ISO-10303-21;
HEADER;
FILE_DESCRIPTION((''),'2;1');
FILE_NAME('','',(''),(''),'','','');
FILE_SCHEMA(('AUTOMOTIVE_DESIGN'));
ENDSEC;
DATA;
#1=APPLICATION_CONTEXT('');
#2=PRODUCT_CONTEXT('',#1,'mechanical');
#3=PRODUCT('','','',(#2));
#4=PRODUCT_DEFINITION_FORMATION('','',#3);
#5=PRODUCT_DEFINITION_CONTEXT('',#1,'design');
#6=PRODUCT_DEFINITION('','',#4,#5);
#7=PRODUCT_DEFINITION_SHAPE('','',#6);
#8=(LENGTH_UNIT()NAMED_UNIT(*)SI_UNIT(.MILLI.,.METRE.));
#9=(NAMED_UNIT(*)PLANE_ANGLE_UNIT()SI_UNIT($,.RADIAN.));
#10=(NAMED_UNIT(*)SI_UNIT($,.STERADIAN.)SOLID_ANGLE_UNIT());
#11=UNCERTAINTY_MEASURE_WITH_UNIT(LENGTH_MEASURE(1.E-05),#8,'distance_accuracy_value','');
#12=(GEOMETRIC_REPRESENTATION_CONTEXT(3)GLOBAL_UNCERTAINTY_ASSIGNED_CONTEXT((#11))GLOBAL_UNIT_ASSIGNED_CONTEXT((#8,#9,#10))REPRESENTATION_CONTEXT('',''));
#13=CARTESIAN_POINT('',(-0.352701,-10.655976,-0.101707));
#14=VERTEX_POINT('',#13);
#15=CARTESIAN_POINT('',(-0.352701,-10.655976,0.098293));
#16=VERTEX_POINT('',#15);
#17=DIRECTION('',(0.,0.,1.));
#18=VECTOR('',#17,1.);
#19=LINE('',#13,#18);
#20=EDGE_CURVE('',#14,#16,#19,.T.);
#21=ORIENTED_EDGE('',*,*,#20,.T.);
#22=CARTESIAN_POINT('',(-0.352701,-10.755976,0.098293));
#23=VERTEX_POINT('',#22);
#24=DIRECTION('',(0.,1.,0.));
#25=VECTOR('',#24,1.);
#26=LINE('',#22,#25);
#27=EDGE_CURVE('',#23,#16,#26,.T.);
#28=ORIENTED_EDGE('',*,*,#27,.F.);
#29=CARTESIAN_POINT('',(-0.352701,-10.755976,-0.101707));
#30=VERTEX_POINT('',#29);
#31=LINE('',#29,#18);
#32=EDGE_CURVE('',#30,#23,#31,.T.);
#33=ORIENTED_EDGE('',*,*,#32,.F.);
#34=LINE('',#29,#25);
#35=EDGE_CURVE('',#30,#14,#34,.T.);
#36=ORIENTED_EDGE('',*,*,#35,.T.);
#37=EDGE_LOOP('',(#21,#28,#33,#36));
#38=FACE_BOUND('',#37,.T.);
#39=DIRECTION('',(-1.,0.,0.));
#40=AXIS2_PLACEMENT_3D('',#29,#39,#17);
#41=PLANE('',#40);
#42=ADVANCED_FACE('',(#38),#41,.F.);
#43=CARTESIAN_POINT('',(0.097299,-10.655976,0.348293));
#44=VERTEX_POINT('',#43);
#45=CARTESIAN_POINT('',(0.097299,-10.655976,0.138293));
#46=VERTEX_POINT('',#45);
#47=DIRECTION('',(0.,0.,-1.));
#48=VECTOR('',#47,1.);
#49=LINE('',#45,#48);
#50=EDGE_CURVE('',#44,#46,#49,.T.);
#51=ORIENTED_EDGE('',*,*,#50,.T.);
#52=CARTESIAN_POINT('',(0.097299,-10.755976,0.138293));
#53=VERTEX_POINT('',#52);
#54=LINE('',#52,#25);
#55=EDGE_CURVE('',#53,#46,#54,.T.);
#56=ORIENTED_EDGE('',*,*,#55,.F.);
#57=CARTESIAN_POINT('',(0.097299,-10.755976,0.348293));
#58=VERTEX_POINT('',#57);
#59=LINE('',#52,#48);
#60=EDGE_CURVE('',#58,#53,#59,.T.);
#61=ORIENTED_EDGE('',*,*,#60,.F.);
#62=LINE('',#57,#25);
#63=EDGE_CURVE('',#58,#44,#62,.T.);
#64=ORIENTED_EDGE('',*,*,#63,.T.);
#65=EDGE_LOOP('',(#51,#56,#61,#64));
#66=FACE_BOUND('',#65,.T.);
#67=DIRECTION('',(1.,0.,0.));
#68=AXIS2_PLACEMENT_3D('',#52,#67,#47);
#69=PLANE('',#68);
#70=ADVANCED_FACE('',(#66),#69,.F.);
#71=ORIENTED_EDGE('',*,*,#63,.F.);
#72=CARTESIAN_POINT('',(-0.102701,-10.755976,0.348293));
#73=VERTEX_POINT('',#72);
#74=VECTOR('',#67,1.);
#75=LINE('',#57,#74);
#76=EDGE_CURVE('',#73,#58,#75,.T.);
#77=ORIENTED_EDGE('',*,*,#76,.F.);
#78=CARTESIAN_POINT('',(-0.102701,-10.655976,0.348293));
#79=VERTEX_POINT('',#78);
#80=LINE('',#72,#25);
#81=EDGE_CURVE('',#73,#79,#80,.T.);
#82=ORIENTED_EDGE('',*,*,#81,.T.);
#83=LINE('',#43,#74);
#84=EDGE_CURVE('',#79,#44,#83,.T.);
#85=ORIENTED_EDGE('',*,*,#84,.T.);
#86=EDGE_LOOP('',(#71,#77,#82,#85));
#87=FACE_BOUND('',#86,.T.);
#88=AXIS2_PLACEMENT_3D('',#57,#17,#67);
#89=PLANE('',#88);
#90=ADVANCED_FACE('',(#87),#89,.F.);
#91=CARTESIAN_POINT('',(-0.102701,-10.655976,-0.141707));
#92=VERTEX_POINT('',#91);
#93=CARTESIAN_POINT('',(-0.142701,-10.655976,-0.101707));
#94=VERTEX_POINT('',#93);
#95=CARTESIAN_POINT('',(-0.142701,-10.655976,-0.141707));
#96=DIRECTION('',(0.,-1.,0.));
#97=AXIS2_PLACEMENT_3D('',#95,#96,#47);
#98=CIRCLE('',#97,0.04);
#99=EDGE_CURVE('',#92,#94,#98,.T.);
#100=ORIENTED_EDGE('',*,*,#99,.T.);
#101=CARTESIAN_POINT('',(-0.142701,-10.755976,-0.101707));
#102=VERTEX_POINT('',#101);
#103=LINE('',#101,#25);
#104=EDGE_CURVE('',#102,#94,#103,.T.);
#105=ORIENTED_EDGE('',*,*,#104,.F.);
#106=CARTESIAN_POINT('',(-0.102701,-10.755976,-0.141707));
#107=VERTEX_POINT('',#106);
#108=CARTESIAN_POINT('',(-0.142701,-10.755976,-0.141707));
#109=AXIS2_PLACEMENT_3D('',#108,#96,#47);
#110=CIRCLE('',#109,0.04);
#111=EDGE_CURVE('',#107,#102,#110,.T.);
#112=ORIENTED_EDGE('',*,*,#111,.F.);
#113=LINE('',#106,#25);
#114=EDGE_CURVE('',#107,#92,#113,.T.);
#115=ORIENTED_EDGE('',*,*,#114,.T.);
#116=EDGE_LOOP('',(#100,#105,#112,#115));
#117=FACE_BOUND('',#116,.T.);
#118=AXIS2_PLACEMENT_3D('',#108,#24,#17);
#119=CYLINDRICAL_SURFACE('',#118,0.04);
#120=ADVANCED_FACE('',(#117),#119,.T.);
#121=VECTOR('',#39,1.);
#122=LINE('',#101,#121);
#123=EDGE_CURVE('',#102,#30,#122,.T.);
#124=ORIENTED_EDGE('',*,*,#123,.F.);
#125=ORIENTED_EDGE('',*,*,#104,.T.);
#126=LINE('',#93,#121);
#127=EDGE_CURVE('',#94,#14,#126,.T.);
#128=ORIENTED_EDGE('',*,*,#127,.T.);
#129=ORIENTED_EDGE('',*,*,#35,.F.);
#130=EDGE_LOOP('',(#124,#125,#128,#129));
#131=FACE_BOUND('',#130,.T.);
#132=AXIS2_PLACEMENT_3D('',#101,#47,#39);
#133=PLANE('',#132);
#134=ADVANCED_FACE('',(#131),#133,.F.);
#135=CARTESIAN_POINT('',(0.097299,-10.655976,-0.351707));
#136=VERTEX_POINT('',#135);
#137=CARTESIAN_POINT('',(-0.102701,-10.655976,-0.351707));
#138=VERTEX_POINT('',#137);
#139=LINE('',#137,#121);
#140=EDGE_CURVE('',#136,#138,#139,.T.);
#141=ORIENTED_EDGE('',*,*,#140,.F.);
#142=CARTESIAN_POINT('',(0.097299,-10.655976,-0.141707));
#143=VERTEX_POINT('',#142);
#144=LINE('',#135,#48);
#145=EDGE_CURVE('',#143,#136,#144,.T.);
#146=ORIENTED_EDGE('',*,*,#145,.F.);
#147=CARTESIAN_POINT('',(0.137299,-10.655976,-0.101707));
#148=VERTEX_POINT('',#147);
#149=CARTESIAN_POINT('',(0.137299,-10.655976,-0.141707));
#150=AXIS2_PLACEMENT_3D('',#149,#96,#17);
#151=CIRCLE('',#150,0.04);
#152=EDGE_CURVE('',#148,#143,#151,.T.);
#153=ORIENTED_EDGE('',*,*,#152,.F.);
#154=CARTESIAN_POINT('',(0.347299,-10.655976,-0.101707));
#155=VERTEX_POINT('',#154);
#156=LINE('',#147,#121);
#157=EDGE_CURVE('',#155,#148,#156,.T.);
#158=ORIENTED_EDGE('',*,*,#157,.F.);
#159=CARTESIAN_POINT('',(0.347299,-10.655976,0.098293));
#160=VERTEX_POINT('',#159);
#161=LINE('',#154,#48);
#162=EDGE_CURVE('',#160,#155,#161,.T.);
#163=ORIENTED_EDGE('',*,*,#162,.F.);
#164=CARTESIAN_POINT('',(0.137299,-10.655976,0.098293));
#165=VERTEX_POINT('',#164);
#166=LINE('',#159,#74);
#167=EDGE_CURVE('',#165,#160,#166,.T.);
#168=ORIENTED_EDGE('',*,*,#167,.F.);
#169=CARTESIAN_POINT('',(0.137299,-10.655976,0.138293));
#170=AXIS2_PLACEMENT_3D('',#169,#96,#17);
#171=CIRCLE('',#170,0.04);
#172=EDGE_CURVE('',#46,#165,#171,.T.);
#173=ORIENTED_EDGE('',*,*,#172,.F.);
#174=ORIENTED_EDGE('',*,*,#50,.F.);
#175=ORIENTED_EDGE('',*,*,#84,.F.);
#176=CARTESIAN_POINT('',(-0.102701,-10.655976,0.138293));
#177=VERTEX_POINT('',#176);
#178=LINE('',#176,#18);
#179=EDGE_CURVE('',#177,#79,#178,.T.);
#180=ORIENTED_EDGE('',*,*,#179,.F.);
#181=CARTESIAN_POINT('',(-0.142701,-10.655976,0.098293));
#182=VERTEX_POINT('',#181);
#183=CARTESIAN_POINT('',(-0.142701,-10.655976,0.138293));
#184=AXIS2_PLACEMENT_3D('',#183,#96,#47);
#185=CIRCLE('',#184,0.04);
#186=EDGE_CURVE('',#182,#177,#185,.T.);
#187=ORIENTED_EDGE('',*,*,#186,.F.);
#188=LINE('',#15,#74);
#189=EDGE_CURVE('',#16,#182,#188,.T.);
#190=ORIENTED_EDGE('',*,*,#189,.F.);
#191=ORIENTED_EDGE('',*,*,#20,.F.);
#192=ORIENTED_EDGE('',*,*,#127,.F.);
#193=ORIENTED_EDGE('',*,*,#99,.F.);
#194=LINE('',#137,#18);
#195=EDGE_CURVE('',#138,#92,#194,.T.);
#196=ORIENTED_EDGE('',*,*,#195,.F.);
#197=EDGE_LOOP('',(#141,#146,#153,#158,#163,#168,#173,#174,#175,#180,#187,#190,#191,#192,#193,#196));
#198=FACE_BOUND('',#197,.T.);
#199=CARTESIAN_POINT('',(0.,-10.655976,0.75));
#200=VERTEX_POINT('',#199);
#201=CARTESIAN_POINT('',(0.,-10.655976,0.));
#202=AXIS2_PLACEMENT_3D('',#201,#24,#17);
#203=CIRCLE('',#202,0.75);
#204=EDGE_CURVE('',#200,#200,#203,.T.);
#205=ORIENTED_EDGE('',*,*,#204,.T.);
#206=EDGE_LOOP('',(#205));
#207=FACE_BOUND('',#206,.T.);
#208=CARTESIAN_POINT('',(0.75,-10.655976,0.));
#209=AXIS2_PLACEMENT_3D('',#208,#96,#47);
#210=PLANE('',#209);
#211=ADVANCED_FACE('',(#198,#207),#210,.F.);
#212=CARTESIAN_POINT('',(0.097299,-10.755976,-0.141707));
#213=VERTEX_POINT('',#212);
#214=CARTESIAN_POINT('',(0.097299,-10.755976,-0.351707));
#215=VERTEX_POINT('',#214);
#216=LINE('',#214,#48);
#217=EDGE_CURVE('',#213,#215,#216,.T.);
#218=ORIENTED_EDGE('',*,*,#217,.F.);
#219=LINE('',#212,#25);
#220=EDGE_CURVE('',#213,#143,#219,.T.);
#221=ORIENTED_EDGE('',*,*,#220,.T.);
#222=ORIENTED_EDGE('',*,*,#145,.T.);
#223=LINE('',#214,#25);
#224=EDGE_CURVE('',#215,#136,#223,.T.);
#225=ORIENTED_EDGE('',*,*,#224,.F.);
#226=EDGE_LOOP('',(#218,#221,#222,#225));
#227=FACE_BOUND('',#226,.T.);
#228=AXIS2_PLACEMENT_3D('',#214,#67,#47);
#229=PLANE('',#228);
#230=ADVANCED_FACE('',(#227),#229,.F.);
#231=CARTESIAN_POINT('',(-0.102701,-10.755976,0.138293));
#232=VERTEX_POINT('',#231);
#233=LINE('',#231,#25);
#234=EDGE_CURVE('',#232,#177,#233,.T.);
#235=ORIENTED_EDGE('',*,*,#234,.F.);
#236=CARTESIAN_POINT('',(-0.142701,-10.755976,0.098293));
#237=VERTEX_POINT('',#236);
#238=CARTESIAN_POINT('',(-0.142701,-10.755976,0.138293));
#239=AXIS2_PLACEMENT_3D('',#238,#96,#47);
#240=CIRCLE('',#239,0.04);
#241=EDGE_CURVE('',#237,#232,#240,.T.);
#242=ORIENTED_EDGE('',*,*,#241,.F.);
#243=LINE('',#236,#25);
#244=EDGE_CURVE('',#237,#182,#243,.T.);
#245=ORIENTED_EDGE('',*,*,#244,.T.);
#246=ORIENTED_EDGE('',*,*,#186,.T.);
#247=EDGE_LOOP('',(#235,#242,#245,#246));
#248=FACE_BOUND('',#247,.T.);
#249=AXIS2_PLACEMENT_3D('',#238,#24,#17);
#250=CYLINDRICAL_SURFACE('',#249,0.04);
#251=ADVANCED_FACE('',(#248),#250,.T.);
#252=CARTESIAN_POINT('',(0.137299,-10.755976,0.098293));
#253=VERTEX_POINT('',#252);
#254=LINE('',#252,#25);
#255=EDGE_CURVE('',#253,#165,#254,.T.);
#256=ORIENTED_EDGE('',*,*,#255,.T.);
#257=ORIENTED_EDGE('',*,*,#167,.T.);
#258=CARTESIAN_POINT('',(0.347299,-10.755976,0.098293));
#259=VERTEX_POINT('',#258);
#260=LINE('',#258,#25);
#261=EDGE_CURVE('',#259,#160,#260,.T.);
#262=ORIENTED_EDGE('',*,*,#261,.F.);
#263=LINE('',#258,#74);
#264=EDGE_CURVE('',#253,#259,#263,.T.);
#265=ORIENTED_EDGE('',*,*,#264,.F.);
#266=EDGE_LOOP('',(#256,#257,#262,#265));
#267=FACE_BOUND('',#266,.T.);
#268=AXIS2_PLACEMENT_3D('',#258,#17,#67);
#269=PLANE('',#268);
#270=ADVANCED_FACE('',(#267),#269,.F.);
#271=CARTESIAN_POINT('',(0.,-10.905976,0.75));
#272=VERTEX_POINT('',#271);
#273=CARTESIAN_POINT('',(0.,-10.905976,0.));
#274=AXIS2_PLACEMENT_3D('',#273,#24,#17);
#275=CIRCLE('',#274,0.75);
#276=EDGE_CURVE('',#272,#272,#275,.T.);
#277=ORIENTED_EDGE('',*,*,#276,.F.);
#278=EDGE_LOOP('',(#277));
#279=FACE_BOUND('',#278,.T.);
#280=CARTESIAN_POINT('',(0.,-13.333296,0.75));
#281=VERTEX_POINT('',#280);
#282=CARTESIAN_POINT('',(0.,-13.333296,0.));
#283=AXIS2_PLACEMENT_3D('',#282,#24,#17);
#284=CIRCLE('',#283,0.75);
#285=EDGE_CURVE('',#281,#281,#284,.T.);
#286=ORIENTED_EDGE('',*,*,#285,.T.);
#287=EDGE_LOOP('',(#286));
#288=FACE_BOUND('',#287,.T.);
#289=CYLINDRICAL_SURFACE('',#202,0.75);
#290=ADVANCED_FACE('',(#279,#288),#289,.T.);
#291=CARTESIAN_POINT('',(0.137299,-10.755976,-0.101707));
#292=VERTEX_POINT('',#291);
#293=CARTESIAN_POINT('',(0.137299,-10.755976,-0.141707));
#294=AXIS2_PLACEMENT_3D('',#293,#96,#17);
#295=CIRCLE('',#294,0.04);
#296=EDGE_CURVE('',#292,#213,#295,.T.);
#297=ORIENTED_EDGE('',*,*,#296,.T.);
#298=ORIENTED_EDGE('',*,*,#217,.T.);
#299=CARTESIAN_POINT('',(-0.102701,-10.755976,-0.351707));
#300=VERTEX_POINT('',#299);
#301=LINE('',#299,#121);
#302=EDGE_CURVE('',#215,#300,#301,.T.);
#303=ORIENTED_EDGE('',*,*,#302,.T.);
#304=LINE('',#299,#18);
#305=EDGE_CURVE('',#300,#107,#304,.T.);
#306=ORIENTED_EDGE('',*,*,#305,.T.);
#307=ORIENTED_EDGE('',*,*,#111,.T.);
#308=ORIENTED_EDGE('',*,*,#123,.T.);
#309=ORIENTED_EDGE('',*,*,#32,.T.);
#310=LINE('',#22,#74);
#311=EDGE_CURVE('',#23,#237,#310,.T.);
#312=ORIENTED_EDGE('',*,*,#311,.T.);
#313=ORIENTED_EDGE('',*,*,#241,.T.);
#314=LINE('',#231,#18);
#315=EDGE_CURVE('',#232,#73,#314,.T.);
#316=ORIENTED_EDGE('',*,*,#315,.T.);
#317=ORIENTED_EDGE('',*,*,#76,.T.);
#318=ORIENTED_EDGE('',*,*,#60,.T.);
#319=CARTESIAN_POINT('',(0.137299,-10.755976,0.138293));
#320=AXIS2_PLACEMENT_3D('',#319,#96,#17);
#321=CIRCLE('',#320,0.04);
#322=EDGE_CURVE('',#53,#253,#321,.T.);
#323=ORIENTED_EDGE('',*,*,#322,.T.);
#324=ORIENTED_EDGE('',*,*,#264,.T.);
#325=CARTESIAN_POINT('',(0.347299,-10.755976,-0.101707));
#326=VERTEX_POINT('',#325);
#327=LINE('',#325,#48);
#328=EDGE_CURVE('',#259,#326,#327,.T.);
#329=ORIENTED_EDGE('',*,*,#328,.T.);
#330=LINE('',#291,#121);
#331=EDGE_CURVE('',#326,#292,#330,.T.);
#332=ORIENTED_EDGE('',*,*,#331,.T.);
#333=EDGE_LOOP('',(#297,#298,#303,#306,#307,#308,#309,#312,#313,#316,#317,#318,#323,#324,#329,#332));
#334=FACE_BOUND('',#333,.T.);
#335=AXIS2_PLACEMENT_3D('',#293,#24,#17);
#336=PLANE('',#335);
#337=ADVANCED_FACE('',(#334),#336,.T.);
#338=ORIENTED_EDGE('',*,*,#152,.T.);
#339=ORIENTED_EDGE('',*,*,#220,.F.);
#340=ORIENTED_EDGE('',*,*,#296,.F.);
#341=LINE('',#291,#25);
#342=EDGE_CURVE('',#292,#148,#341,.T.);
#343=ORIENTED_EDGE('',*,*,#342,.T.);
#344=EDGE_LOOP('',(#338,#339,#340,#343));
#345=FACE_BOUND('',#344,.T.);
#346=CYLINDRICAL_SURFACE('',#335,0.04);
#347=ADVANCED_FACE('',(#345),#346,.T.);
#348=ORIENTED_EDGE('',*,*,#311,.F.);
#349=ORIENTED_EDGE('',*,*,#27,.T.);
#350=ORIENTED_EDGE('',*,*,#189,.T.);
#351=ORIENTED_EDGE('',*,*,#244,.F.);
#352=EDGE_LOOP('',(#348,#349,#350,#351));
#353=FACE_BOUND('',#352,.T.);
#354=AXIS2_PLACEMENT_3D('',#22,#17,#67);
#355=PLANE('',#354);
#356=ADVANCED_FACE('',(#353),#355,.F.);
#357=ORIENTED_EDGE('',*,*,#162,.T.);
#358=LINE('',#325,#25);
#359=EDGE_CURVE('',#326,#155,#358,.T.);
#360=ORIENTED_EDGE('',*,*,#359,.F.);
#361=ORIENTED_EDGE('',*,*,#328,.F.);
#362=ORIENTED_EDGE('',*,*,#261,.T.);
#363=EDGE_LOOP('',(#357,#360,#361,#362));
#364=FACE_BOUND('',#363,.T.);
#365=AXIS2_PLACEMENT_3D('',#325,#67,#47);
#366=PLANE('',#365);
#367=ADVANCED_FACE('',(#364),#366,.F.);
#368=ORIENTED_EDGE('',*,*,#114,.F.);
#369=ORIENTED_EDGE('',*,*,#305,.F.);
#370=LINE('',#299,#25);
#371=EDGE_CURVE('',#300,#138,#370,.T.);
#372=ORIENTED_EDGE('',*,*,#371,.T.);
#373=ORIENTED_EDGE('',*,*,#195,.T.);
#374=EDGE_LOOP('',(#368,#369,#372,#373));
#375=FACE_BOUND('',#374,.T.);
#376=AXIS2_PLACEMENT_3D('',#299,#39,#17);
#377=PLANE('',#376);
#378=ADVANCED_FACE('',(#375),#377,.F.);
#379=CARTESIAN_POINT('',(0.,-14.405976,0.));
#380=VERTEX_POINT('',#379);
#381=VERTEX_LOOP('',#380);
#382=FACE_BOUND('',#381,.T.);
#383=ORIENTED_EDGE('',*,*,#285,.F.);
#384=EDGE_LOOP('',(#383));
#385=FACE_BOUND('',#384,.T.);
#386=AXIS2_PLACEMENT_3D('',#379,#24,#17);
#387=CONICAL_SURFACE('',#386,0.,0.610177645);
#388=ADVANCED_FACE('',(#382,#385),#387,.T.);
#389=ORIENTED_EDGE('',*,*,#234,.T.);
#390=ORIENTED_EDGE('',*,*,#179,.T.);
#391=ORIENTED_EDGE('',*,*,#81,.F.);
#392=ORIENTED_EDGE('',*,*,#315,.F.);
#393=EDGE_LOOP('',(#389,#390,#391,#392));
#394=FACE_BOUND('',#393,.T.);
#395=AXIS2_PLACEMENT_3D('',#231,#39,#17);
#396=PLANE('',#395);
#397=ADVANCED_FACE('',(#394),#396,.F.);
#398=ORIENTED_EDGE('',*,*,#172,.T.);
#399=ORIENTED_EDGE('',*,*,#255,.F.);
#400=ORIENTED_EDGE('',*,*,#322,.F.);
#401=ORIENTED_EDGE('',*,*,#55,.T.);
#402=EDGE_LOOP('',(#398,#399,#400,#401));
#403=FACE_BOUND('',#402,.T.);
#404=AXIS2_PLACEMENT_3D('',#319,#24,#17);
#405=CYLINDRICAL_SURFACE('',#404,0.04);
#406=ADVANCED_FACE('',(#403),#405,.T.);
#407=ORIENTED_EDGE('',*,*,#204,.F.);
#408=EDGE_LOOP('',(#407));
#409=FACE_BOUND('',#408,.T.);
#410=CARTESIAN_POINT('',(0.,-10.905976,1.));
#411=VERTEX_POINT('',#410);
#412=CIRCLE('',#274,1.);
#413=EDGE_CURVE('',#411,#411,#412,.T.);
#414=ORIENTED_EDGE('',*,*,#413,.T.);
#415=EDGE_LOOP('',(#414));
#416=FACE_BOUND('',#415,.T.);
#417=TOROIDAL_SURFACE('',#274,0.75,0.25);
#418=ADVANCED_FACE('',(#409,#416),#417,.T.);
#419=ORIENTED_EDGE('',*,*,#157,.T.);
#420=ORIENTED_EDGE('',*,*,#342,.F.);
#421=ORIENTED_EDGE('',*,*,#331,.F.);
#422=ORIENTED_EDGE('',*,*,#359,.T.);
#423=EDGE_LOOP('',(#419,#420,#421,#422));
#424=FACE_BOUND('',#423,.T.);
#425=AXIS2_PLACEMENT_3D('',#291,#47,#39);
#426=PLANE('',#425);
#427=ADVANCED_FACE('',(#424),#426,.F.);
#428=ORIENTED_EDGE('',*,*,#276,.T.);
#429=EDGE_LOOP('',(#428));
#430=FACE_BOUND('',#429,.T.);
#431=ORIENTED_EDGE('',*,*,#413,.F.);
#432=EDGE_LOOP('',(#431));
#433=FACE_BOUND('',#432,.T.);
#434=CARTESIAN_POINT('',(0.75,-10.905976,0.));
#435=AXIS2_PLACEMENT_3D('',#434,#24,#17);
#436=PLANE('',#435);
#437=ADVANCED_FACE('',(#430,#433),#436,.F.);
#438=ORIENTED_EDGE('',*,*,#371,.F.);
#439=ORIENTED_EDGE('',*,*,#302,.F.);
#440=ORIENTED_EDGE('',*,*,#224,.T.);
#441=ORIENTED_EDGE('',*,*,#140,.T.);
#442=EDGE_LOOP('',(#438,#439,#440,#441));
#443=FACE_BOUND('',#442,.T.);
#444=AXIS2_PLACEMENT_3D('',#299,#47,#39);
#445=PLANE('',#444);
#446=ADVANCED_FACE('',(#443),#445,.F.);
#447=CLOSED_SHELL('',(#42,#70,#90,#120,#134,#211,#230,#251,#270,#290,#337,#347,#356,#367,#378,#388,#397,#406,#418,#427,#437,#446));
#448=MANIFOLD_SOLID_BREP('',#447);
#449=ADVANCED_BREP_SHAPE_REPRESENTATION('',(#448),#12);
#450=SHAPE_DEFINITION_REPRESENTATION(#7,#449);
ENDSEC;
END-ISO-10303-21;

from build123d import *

# Parameters (mm, degrees)
CUT_EXTRUDE1_DEPTH = 0.1


with BuildPart() as part:
    # Sketch1 → Revolve1 (revolve)
    with BuildSketch(Plane.XY):
        with BuildLine():
            Line((0, -10.655976488), (0, -14.405976488))
            Line((0, -14.405976488), (0.75, -13.333296431))
            Line((0.75, -13.333296431), (0.75, -10.905976488))
            Line((0.75, -10.905976488), (1, -10.905976488))
            ThreePointArc((1, -10.905976488), (0.926776695, -10.729199793), (0.75, -10.655976488))
            Line((0.75, -10.655976488), (0, -10.655976488))
        make_face()
    revolve(axis=Axis((0, -10.655976488, 0), (0, -1, 0)))

    # Sketch2 → Cut-Extrude1 (cut)
    with BuildSketch(Plane(origin=(0, -10.655976488, 0), x_dir=(1, 0, 0), z_dir=(0, 1, 0))):
        with BuildLine():
            Line((-0.102700854, 0.351707003), (0.097299146, 0.351707003))
            Line((0.097299146, 0.351707003), (0.097299146, 0.141707003))
            ThreePointArc((0.097299146, 0.141707003), (0.109014874, 0.113422731), (0.137299146, 0.101707003))
            Line((0.137299146, 0.101707003), (0.347299146, 0.101707003))
            Line((0.347299146, 0.101707003), (0.347299146, -0.098292997))
            Line((0.347299146, -0.098292997), (0.137299146, -0.098292997))
            ThreePointArc((0.137299146, -0.098292997), (0.109014874, -0.110008726), (0.097299146, -0.138292997))
            Line((0.097299146, -0.138292997), (0.097299146, -0.348292997))
            Line((0.097299146, -0.348292997), (-0.102700854, -0.348292997))
            Line((-0.102700854, -0.348292997), (-0.102700854, -0.138292997))
            ThreePointArc((-0.102700854, -0.138292997), (-0.114416583, -0.110008726), (-0.142700854, -0.098292997))
            Line((-0.142700854, -0.098292997), (-0.352700854, -0.098292997))
            Line((-0.352700854, -0.098292997), (-0.352700854, 0.101707003))
            Line((-0.352700854, 0.101707003), (-0.142700854, 0.101707003))
            ThreePointArc((-0.142700854, 0.101707003), (-0.114416583, 0.113422731), (-0.102700854, 0.141707003))
            Line((-0.102700854, 0.141707003), (-0.102700854, 0.351707003))
        make_face()
    extrude(amount=-CUT_EXTRUDE1_DEPTH, mode=Mode.SUBTRACT)


solid = part.part
